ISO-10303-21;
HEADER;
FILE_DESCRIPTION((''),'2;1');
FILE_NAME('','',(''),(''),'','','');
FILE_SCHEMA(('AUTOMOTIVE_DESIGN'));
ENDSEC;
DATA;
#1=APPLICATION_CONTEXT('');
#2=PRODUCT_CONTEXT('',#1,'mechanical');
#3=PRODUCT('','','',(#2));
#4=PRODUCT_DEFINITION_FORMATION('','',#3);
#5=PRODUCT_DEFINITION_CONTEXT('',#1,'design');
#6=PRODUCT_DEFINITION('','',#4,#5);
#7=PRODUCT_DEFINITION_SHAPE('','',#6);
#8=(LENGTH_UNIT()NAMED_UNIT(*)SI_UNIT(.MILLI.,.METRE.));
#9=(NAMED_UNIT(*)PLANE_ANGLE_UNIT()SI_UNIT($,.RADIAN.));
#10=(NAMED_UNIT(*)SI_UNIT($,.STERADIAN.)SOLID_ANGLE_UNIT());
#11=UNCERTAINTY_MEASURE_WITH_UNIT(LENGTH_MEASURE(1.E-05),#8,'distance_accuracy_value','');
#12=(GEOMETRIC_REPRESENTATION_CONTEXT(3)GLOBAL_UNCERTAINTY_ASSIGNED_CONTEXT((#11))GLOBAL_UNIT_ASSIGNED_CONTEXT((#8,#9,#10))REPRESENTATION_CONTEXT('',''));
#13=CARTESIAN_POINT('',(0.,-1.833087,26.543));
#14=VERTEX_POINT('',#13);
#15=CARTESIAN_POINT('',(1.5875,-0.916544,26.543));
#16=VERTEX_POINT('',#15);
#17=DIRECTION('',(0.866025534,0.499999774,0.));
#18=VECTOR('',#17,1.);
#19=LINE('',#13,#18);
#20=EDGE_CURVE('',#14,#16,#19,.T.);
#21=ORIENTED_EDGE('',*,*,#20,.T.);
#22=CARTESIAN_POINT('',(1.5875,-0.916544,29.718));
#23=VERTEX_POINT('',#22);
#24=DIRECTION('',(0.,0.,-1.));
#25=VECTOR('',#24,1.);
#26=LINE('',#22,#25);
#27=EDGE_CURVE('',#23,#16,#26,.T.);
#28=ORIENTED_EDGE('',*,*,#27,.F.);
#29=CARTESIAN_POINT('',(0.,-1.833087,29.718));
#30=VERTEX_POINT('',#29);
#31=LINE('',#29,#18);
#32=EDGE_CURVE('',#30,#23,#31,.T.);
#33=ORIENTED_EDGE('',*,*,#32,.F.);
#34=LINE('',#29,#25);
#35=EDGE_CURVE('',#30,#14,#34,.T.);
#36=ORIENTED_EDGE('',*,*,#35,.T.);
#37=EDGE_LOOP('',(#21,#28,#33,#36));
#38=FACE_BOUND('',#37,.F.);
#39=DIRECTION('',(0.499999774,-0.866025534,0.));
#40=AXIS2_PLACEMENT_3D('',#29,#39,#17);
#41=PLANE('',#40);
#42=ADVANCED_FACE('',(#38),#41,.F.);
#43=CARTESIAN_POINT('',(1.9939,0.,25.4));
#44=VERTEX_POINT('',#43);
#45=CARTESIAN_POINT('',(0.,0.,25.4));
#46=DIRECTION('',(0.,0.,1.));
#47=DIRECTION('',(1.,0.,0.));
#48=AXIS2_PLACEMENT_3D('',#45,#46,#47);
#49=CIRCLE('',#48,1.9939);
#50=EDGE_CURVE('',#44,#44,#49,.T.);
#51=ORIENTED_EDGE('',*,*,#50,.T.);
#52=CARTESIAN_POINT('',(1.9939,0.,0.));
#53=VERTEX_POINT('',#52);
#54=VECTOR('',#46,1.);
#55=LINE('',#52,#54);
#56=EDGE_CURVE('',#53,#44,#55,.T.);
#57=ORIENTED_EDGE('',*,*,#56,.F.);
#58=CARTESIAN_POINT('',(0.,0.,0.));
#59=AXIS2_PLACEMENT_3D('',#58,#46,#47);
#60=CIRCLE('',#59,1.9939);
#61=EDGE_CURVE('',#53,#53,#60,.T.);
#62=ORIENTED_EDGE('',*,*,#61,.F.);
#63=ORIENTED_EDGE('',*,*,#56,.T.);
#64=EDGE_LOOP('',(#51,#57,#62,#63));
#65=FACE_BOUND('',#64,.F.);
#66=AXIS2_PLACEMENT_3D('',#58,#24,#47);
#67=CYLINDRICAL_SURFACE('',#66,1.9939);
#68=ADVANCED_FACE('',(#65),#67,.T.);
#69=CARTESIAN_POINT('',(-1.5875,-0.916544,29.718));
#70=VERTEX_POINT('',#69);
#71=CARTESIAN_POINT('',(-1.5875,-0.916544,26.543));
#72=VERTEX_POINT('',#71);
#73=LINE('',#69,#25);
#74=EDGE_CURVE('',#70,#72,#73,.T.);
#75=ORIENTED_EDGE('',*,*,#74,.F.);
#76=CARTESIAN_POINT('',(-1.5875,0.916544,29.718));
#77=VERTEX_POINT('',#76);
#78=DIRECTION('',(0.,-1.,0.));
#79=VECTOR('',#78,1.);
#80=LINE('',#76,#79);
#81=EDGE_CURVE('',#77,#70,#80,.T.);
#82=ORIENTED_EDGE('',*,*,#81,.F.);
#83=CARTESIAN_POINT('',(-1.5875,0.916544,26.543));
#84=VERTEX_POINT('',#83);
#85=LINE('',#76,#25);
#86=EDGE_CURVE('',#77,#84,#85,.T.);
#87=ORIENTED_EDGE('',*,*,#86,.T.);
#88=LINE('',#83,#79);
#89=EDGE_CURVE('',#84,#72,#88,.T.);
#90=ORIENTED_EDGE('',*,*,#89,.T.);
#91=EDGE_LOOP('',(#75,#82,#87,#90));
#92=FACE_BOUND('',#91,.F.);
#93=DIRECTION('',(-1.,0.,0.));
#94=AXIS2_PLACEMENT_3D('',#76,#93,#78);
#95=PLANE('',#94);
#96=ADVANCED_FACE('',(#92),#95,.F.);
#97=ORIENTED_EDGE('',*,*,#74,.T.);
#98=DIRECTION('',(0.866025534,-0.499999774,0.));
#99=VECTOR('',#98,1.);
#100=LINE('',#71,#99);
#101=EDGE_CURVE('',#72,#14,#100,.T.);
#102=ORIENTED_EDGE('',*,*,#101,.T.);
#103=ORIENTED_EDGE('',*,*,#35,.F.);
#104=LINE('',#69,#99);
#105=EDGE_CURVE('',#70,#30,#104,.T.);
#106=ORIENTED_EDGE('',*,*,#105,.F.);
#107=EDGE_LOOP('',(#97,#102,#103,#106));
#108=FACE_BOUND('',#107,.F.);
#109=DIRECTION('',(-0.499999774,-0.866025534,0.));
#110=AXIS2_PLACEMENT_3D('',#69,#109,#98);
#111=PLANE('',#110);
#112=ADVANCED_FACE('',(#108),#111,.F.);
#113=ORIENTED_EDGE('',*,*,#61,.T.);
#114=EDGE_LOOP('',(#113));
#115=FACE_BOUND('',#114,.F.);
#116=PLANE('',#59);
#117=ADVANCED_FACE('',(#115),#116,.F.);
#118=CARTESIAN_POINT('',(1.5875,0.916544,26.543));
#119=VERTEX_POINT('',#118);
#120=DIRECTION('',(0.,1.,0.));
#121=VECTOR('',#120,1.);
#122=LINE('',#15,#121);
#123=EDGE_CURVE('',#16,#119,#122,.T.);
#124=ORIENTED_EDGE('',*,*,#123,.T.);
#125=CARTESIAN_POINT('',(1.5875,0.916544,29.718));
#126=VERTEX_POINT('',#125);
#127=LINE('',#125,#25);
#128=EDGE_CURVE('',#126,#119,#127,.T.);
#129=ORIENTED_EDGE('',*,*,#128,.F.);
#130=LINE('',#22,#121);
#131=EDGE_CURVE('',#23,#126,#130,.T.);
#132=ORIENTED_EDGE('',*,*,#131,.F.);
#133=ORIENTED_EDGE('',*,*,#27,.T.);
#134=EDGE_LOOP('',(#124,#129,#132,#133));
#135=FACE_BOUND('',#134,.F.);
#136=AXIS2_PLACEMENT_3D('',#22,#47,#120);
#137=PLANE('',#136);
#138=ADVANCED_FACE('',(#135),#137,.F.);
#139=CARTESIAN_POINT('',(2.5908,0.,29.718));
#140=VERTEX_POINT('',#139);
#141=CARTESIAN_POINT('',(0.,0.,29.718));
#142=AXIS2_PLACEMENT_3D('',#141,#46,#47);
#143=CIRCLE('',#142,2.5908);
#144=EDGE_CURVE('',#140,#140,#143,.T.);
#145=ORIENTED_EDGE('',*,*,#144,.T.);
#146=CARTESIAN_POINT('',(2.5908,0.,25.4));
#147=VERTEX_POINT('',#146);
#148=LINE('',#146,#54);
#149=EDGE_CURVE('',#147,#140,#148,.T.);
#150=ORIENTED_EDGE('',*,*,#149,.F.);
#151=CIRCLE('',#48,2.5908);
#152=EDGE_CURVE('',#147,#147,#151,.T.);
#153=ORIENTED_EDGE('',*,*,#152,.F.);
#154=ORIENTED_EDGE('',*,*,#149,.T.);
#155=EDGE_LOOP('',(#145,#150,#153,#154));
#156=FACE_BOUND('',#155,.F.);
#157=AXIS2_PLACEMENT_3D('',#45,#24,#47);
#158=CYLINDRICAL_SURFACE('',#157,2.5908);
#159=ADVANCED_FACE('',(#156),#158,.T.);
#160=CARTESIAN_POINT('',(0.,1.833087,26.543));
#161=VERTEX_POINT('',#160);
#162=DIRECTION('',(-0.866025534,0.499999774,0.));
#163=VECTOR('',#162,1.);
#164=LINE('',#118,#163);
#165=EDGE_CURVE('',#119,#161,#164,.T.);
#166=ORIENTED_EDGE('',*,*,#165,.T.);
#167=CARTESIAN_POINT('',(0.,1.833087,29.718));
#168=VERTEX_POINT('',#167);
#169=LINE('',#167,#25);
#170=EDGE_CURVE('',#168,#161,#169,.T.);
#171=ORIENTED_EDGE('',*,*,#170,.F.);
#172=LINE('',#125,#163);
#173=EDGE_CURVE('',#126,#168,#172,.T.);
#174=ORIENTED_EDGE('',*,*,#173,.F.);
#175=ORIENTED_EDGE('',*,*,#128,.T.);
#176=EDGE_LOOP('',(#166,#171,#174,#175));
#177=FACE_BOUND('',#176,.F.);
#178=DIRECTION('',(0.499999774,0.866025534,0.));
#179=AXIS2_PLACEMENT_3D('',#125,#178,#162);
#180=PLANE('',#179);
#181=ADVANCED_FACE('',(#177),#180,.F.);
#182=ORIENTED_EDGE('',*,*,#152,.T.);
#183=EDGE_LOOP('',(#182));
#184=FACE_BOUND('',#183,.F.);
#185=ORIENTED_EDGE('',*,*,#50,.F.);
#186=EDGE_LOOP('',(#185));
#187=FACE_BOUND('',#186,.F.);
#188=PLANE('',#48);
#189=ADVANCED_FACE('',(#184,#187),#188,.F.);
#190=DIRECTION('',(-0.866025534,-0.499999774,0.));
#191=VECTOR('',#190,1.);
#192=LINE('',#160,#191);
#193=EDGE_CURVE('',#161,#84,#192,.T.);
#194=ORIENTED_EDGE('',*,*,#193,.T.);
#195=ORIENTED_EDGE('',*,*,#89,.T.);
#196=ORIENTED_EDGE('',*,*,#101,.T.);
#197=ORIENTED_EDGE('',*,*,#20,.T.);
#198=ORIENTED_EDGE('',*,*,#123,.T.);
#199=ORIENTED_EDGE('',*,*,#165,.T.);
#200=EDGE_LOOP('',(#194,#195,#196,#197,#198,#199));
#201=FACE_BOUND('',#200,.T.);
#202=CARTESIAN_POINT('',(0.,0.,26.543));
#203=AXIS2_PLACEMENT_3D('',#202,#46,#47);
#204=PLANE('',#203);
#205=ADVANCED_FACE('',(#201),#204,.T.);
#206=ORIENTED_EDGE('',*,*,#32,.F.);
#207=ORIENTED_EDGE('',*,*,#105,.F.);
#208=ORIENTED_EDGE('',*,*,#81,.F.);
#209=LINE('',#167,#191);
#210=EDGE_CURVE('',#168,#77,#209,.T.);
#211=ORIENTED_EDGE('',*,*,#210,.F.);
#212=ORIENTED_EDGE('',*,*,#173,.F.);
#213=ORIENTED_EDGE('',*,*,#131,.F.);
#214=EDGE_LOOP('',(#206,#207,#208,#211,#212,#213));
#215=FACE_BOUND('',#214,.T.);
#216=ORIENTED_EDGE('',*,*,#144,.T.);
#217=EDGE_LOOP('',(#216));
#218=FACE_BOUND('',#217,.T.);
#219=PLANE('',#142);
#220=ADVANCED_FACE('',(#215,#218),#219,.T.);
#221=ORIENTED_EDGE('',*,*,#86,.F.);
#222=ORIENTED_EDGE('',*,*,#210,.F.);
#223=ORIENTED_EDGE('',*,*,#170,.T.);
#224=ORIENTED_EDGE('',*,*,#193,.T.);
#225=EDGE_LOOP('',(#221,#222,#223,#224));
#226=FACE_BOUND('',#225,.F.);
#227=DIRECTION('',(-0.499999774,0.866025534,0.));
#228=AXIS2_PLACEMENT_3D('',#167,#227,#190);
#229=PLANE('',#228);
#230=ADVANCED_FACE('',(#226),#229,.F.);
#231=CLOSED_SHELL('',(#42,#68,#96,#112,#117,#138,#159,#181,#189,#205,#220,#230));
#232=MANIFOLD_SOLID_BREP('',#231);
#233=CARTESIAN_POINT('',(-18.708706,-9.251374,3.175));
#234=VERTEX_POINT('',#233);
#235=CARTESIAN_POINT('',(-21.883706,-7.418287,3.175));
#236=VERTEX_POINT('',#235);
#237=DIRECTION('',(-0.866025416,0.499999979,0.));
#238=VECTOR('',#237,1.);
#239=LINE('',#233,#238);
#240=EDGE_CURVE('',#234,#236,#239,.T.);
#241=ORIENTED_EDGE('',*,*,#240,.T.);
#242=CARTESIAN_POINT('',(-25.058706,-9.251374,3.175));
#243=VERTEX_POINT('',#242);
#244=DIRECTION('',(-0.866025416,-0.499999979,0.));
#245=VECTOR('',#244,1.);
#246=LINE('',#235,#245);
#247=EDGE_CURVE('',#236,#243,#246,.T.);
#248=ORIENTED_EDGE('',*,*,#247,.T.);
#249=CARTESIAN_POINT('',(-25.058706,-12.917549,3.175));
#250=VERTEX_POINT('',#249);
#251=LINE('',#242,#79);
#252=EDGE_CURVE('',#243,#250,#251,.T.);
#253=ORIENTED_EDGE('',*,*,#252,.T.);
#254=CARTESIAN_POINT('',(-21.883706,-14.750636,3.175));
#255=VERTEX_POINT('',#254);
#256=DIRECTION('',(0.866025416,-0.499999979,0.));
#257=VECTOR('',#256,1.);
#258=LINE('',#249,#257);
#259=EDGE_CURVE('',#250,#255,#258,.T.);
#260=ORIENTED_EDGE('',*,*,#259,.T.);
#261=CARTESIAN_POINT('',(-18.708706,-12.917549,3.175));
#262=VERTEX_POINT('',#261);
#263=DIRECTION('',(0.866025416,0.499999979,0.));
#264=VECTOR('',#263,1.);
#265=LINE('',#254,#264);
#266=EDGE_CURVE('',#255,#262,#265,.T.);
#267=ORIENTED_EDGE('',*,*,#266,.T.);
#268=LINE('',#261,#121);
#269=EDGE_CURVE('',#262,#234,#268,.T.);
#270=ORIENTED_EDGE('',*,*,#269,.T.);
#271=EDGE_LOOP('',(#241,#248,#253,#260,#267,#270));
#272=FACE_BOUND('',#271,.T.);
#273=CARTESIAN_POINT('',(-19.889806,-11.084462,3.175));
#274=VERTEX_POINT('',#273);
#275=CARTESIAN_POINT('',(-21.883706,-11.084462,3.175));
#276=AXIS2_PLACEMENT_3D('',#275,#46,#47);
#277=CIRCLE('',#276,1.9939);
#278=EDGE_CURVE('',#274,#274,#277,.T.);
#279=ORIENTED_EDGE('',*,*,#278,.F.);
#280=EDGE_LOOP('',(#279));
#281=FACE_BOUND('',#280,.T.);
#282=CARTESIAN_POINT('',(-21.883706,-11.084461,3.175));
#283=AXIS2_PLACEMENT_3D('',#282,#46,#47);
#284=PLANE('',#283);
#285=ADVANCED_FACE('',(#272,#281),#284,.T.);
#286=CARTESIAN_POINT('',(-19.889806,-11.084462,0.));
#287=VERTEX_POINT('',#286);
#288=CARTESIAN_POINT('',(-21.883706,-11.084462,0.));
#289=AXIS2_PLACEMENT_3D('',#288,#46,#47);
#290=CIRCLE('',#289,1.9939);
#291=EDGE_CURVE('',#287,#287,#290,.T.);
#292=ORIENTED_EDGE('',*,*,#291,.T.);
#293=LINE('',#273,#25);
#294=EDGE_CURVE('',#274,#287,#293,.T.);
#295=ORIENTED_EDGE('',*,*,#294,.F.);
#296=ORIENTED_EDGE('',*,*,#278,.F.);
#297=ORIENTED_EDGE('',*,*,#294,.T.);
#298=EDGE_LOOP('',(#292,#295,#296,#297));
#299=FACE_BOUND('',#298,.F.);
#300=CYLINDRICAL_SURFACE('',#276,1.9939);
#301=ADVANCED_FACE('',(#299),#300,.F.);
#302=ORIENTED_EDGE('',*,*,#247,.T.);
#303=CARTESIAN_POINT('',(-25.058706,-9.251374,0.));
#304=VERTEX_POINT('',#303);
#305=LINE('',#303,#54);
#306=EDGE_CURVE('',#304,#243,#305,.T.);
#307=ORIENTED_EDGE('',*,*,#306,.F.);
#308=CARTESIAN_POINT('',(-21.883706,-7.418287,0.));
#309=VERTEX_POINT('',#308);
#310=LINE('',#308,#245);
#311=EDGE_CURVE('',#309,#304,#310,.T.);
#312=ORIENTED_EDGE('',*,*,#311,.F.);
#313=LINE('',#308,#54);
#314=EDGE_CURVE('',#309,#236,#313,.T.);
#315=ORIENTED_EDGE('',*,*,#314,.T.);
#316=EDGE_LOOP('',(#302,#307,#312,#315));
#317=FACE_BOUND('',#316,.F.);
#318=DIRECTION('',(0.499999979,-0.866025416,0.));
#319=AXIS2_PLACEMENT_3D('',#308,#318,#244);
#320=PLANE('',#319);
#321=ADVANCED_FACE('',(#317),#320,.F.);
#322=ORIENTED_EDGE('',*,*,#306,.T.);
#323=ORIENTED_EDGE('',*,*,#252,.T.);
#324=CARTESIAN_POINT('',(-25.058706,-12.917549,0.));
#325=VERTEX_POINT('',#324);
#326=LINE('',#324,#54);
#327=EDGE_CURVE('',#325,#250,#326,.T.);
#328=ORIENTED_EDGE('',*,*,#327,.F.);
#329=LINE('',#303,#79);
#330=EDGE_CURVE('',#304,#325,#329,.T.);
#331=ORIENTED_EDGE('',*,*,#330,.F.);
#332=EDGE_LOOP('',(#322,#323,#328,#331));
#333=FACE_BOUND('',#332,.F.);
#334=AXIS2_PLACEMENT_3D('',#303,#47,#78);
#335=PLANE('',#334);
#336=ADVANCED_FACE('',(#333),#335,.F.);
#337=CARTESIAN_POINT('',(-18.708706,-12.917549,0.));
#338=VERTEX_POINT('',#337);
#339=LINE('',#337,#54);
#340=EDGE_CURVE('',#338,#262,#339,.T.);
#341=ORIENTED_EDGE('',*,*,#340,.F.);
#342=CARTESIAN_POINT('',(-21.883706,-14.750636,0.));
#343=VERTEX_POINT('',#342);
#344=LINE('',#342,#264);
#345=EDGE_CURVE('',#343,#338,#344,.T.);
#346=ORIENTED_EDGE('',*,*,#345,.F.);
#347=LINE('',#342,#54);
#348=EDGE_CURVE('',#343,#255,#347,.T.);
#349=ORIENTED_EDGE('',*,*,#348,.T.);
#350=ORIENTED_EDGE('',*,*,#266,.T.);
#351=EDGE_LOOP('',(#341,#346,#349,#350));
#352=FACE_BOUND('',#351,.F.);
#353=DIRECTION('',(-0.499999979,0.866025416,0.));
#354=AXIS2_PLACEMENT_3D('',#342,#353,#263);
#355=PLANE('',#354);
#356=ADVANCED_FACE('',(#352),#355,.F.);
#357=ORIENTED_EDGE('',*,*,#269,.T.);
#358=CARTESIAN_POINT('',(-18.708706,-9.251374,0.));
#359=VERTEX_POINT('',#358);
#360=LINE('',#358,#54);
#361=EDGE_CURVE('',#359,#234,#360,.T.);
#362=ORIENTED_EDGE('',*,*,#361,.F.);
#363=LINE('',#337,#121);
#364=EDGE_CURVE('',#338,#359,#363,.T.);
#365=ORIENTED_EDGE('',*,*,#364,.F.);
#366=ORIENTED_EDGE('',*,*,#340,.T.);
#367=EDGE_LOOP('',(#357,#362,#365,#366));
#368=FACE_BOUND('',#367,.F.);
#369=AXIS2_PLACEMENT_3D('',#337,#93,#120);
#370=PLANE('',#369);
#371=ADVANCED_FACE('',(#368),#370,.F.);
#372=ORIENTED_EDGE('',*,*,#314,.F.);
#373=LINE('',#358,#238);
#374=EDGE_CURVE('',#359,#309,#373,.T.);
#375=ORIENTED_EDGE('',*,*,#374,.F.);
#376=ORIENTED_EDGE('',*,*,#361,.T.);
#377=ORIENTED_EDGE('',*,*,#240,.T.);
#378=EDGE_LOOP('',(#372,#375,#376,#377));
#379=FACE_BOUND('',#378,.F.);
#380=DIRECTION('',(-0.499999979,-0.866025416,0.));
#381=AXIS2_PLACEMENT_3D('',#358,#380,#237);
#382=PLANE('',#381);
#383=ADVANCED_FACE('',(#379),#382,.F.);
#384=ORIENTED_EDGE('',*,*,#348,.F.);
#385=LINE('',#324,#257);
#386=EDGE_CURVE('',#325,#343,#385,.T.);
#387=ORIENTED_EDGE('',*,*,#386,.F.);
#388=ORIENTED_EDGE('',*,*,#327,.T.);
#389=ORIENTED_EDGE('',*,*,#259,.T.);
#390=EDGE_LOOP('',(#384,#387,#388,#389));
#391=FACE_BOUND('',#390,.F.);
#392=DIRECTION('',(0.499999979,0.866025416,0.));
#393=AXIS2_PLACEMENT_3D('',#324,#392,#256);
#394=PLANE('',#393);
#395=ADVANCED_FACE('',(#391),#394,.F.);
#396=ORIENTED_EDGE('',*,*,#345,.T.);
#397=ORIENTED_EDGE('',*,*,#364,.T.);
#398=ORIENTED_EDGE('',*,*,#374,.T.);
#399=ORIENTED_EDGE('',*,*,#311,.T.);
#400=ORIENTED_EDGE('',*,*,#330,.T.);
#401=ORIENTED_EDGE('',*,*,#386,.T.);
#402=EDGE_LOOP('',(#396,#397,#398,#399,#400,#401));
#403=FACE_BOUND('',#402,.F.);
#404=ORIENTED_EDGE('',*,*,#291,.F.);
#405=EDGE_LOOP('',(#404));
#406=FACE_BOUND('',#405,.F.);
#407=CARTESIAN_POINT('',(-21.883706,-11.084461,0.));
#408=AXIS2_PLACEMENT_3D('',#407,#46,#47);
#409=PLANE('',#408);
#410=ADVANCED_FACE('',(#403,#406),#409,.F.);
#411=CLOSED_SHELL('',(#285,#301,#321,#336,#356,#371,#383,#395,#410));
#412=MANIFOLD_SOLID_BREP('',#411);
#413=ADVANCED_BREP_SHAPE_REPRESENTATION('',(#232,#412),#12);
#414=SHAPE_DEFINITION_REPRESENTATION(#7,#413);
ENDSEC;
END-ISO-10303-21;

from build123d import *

# Parameters (mm, degrees)
F0_R     = 1.9939
F1_DEPTH = 25.4
F2_R     = 2.5908
F2_R_2   = 1.9939
F3_DEPTH = 4.318
F5_DEPTH = 3.175
F7_DEPTH = 3.175
F8_R     = 1.9939
F9_DEPTH = 6.35


with BuildPart() as f1:
    # F0 (on Top) → F1 (new body)
    with BuildSketch(Plane.XY):
        Circle(F0_R)
    extrude(amount=F1_DEPTH)

    # F2 (on face) → F3 (join)
    with BuildSketch(Plane.XY.offset(25.4)):
        Circle(F2_R)
        Circle(F2_R_2, mode=Mode.SUBTRACT)
        Circle(F2_R_2)
    extrude(amount=F3_DEPTH)

    # F4 (on face) → F5 (cut)
    with BuildSketch(Plane.XY.offset(29.718)):
        Polygon((1.5875, -0.916544), (1.5875, 0.916544), (0, 1.833087), (-1.5875, 0.916544), (-1.5875, -0.916544), (0, -1.833087), align=None)
    extrude(amount=-F5_DEPTH, mode=Mode.SUBTRACT)


with BuildPart() as f7:
    # F6 (on Top) → F7 (new body)
    with BuildSketch(Plane.XY):
        Polygon((-18.708706, -12.917549), (-18.708706, -9.251374), (-21.883706, -7.418287), (-25.058706, -9.251374), (-25.058706, -12.917549), (-21.883706, -14.750636), align=None)
    extrude(amount=F7_DEPTH)

    # F8 (on face) → F9 (cut)
    with BuildSketch(Plane.XY.offset(3.175)):
        with Locations((-21.883706, -11.084462)):
            Circle(F8_R)
    extrude(amount=-F9_DEPTH, mode=Mode.SUBTRACT)


solid = Compound([f1.part, f7.part])
